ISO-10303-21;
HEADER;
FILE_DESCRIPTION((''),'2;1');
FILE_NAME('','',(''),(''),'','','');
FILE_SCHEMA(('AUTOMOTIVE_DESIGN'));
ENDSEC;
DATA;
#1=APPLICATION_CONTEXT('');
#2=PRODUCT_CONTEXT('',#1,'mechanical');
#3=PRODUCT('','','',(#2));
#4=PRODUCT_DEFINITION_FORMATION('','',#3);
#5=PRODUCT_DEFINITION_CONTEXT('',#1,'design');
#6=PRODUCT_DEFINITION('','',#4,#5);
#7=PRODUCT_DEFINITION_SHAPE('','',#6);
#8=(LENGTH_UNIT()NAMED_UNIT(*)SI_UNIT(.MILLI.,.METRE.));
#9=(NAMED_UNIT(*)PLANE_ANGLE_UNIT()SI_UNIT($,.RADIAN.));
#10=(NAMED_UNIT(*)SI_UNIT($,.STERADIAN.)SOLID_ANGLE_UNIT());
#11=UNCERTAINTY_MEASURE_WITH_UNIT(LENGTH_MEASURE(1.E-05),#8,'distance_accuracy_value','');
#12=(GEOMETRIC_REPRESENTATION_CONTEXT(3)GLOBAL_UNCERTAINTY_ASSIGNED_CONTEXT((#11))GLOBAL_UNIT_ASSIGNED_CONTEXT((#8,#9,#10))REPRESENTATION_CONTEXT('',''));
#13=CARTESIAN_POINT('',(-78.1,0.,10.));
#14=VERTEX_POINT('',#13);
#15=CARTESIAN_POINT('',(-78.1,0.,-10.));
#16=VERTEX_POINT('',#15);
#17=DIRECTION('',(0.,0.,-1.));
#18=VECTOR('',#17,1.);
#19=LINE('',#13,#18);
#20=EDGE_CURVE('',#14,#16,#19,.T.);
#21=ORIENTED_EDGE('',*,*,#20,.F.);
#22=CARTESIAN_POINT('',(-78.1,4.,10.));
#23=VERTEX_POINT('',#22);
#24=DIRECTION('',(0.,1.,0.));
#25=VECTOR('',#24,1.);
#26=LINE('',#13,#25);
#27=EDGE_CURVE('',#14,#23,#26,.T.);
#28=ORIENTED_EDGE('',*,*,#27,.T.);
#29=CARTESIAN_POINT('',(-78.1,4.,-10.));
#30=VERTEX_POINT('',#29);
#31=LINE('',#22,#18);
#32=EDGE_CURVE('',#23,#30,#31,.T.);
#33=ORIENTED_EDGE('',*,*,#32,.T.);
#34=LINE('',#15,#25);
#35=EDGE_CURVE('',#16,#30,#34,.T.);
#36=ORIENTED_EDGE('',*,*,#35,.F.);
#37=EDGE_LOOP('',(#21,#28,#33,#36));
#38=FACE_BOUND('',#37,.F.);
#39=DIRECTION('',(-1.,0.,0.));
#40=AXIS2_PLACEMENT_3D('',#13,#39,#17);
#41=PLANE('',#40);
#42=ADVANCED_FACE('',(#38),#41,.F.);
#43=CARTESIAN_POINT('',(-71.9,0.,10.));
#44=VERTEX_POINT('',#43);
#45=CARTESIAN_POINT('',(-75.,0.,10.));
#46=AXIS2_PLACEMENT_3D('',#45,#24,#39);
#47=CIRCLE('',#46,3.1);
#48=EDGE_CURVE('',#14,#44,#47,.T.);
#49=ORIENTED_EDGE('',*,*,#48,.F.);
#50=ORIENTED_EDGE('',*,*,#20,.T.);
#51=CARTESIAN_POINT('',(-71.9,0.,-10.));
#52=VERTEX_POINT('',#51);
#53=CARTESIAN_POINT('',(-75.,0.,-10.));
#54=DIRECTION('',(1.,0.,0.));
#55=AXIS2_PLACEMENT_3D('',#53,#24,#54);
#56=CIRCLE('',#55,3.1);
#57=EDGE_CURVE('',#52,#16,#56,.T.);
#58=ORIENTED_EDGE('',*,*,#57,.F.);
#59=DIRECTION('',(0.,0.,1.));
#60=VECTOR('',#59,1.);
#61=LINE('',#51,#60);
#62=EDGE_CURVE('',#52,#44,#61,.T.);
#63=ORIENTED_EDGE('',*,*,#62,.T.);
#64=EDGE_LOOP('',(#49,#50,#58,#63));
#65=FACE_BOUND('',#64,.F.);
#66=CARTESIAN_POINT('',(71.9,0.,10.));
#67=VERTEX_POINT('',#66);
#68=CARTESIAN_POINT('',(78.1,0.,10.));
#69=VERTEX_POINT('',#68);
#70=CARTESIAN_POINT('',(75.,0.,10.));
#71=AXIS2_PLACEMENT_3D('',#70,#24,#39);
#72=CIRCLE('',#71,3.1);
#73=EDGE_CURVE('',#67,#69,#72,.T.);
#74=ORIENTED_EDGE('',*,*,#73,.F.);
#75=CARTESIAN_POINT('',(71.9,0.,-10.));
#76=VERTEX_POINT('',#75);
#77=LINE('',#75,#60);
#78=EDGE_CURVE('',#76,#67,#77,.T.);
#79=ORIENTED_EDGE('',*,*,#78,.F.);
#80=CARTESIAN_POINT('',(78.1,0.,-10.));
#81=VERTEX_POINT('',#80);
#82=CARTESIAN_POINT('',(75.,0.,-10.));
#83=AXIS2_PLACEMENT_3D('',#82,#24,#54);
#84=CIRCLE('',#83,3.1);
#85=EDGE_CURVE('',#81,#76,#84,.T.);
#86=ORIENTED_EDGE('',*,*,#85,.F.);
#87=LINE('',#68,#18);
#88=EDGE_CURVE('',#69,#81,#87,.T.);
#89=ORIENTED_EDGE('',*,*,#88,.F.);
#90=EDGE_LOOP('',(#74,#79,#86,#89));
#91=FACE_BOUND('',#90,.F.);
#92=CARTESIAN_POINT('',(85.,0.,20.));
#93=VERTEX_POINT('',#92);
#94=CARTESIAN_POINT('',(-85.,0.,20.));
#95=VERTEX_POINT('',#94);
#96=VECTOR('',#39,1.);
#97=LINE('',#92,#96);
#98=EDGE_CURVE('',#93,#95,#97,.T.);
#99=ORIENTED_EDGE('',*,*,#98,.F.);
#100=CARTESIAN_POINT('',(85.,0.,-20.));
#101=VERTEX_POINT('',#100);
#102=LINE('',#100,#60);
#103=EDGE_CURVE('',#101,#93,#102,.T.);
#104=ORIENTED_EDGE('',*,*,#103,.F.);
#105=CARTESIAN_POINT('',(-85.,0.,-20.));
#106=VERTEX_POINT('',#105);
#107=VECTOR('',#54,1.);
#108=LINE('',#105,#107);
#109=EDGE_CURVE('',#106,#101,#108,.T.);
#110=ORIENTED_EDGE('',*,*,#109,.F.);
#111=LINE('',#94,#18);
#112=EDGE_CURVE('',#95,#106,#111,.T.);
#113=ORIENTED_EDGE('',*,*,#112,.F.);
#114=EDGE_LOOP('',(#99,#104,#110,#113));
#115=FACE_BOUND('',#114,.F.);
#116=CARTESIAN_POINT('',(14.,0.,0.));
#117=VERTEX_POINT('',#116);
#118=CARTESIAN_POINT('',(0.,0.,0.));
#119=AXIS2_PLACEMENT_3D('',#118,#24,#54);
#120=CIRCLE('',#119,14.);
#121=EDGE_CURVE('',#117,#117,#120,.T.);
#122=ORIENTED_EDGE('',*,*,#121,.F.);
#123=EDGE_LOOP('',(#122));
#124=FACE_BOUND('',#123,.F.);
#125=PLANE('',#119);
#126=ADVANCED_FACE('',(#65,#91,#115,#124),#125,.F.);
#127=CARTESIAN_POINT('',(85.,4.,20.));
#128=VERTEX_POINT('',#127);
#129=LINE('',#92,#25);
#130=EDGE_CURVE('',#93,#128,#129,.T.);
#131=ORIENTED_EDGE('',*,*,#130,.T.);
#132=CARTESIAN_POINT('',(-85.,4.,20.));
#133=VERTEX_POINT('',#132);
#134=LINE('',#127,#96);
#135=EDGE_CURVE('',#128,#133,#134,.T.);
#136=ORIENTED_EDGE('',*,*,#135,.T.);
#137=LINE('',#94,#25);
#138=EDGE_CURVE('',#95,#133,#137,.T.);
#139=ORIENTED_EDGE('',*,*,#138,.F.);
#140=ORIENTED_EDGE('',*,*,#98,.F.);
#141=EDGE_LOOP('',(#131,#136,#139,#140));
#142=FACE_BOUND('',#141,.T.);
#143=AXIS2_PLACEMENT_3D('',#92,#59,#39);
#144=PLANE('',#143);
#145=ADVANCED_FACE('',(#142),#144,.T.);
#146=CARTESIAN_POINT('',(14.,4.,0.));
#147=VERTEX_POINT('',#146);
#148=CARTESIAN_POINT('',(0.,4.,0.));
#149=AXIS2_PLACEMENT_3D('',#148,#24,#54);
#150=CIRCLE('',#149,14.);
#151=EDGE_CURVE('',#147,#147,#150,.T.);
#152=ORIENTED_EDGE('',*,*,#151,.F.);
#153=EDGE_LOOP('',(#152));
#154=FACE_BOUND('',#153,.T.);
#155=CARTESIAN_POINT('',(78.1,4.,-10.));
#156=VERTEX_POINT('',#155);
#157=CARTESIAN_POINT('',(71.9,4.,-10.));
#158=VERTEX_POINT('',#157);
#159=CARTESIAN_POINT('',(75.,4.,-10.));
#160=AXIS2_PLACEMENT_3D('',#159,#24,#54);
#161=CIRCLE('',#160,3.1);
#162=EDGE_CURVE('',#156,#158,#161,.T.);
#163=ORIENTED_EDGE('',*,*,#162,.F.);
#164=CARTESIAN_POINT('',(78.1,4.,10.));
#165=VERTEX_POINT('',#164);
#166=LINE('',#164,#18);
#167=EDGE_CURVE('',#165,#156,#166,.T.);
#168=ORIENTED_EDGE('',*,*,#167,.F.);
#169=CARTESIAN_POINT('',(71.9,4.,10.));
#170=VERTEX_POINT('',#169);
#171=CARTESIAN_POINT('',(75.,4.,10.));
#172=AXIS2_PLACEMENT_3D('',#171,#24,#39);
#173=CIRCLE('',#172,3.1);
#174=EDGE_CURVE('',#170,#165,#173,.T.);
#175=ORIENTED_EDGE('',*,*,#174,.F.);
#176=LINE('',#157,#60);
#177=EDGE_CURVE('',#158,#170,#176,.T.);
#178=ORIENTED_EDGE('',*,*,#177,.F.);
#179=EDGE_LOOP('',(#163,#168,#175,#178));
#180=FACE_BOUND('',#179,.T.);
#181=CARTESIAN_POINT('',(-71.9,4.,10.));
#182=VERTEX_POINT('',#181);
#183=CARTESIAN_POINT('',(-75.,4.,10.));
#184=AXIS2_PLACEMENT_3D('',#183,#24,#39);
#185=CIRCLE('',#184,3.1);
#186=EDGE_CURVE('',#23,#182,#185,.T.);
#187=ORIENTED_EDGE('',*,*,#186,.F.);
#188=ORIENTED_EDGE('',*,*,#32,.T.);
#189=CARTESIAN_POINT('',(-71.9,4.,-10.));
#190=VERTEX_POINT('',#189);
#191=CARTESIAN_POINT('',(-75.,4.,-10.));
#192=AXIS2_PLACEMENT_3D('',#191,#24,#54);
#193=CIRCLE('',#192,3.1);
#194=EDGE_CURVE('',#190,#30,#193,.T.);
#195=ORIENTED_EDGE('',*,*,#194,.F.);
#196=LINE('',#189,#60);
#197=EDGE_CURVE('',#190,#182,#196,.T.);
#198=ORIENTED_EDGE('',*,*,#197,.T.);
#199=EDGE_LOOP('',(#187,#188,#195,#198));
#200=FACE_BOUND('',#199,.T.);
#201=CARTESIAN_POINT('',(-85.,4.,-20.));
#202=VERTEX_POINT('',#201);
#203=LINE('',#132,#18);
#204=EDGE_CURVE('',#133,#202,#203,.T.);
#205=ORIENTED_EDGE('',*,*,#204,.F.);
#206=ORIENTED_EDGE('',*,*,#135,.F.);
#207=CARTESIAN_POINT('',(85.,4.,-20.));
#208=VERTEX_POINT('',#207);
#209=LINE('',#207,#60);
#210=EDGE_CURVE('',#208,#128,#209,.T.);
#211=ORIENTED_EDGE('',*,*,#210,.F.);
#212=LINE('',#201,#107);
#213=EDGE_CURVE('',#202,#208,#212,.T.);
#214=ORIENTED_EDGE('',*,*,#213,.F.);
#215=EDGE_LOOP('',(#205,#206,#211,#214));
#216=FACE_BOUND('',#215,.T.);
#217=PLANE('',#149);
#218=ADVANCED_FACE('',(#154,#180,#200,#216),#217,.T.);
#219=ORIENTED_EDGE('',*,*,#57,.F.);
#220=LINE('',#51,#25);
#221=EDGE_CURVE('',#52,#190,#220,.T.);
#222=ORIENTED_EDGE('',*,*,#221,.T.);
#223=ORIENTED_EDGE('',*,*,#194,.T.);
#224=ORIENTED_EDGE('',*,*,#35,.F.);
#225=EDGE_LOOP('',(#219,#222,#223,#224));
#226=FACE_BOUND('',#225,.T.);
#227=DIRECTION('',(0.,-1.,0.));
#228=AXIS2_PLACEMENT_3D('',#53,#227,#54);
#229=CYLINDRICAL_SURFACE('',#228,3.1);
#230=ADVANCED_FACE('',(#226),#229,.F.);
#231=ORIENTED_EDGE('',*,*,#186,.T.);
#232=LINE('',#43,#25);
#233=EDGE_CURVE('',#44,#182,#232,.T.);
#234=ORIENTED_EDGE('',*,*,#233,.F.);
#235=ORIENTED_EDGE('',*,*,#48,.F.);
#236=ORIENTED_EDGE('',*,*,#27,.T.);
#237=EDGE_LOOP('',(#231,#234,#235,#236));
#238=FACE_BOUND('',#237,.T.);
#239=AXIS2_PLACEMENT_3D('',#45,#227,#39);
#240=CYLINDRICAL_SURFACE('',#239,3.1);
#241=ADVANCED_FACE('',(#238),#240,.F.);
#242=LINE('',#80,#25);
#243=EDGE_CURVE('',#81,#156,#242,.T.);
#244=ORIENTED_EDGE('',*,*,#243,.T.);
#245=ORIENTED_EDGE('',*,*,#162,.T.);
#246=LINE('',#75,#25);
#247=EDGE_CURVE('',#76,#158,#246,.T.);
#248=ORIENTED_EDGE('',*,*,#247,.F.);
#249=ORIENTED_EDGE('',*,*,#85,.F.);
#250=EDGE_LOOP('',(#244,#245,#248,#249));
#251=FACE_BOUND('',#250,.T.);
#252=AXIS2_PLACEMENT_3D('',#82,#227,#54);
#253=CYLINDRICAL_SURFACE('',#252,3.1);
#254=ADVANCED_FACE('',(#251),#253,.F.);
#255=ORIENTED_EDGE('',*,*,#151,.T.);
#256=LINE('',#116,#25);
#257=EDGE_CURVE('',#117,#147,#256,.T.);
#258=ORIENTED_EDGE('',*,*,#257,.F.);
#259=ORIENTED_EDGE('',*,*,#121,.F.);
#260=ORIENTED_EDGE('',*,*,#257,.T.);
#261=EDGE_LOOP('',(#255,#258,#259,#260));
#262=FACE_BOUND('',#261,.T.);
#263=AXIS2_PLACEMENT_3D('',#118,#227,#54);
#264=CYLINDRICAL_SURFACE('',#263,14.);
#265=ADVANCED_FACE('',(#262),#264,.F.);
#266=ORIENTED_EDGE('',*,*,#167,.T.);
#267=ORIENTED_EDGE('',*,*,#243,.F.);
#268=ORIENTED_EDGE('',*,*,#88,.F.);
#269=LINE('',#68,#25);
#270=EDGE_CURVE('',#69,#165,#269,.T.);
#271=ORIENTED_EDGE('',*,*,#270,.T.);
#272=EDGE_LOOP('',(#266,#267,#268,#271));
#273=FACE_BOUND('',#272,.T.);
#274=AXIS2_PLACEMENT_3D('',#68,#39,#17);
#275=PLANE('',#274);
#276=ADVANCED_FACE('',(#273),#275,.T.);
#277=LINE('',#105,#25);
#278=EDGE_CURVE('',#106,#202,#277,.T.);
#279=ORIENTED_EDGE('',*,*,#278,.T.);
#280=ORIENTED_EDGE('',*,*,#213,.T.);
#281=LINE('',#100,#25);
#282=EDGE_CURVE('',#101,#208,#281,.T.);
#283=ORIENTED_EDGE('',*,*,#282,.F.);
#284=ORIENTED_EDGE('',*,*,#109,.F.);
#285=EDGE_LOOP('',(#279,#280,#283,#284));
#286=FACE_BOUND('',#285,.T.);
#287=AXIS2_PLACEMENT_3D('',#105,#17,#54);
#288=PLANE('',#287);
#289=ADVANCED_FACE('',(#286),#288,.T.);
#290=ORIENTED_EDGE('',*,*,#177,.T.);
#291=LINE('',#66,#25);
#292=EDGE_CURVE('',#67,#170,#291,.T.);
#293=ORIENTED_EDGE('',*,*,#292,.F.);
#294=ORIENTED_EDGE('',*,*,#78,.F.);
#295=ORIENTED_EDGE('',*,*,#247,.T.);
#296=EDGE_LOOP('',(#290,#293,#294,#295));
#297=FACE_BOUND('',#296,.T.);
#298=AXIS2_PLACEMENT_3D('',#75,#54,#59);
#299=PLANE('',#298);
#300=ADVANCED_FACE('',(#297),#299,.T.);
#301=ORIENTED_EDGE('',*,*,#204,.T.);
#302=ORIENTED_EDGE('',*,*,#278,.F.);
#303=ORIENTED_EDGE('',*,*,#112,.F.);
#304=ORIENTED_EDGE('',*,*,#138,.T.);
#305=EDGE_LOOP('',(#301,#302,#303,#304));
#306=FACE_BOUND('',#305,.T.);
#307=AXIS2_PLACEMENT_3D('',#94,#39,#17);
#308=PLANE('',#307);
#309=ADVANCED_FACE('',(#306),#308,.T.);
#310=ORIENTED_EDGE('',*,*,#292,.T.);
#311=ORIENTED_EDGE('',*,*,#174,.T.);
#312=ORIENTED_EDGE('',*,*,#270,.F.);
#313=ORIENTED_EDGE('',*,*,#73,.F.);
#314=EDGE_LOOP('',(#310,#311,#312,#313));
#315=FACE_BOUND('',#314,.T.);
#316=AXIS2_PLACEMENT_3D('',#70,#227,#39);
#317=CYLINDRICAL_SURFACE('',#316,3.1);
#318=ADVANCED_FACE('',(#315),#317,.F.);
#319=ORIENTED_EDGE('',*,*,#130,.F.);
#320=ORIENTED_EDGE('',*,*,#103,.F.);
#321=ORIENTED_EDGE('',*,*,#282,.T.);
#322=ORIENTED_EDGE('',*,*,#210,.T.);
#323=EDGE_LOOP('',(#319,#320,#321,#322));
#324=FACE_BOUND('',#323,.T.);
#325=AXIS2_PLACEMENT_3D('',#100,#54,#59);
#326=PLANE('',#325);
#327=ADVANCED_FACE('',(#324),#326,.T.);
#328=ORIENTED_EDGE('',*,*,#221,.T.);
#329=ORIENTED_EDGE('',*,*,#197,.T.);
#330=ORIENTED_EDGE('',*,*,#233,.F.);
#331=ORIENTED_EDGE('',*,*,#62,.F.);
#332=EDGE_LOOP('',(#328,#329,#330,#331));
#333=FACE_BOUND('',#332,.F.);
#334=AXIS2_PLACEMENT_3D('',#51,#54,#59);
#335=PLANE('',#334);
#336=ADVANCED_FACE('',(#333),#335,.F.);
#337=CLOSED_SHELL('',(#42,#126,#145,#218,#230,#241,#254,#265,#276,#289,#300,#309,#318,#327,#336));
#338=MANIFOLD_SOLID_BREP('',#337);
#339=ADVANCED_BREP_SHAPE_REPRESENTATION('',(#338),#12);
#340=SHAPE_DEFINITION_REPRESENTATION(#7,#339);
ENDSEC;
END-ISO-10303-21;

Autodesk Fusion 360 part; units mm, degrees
sketch "Sketch1" plane through (0, 0, 0) normal (0, 1, 0) x (1, 0, 0)
  line L0 (85, -20) -> (-85, -20)
  line L1 (-85, -20) -> (-85, 20)
  line L2 (-85, 20) -> (85, 20)
  line L3 (85, 20) -> (85, -20)
  circle A0 centre (0, 0) radius 14
  line L4 (71.9, 10) -> (71.9, -10)
  arc A1 (71.9, -10) -> (78.1, -10) centre (75, -10) ccw
  line L5 (78.1, -10) -> (78.1, 10)
  arc A2 (78.1, 10) -> (71.9, 10) centre (75, 10) ccw
  line L6 (-71.9, 10) -> (-71.9, -10)
  arc A3 (-71.9, 10) -> (-78.1, 10) centre (-75, 10) ccw
  line L7 (-78.1, -10) -> (-78.1, 10)
  arc A4 (-78.1, -10) -> (-71.9, -10) centre (-75, -10) ccw
  dimension "d1" = 170
  dimension "d2" = 40
  dimension "d4" = 28
  dimension "d7" = 20
  dimension "d10" = 6.2
  dimension "d11" = 150
extrude "Extrude1" add sketch "Sketch1" along normal blind 4
